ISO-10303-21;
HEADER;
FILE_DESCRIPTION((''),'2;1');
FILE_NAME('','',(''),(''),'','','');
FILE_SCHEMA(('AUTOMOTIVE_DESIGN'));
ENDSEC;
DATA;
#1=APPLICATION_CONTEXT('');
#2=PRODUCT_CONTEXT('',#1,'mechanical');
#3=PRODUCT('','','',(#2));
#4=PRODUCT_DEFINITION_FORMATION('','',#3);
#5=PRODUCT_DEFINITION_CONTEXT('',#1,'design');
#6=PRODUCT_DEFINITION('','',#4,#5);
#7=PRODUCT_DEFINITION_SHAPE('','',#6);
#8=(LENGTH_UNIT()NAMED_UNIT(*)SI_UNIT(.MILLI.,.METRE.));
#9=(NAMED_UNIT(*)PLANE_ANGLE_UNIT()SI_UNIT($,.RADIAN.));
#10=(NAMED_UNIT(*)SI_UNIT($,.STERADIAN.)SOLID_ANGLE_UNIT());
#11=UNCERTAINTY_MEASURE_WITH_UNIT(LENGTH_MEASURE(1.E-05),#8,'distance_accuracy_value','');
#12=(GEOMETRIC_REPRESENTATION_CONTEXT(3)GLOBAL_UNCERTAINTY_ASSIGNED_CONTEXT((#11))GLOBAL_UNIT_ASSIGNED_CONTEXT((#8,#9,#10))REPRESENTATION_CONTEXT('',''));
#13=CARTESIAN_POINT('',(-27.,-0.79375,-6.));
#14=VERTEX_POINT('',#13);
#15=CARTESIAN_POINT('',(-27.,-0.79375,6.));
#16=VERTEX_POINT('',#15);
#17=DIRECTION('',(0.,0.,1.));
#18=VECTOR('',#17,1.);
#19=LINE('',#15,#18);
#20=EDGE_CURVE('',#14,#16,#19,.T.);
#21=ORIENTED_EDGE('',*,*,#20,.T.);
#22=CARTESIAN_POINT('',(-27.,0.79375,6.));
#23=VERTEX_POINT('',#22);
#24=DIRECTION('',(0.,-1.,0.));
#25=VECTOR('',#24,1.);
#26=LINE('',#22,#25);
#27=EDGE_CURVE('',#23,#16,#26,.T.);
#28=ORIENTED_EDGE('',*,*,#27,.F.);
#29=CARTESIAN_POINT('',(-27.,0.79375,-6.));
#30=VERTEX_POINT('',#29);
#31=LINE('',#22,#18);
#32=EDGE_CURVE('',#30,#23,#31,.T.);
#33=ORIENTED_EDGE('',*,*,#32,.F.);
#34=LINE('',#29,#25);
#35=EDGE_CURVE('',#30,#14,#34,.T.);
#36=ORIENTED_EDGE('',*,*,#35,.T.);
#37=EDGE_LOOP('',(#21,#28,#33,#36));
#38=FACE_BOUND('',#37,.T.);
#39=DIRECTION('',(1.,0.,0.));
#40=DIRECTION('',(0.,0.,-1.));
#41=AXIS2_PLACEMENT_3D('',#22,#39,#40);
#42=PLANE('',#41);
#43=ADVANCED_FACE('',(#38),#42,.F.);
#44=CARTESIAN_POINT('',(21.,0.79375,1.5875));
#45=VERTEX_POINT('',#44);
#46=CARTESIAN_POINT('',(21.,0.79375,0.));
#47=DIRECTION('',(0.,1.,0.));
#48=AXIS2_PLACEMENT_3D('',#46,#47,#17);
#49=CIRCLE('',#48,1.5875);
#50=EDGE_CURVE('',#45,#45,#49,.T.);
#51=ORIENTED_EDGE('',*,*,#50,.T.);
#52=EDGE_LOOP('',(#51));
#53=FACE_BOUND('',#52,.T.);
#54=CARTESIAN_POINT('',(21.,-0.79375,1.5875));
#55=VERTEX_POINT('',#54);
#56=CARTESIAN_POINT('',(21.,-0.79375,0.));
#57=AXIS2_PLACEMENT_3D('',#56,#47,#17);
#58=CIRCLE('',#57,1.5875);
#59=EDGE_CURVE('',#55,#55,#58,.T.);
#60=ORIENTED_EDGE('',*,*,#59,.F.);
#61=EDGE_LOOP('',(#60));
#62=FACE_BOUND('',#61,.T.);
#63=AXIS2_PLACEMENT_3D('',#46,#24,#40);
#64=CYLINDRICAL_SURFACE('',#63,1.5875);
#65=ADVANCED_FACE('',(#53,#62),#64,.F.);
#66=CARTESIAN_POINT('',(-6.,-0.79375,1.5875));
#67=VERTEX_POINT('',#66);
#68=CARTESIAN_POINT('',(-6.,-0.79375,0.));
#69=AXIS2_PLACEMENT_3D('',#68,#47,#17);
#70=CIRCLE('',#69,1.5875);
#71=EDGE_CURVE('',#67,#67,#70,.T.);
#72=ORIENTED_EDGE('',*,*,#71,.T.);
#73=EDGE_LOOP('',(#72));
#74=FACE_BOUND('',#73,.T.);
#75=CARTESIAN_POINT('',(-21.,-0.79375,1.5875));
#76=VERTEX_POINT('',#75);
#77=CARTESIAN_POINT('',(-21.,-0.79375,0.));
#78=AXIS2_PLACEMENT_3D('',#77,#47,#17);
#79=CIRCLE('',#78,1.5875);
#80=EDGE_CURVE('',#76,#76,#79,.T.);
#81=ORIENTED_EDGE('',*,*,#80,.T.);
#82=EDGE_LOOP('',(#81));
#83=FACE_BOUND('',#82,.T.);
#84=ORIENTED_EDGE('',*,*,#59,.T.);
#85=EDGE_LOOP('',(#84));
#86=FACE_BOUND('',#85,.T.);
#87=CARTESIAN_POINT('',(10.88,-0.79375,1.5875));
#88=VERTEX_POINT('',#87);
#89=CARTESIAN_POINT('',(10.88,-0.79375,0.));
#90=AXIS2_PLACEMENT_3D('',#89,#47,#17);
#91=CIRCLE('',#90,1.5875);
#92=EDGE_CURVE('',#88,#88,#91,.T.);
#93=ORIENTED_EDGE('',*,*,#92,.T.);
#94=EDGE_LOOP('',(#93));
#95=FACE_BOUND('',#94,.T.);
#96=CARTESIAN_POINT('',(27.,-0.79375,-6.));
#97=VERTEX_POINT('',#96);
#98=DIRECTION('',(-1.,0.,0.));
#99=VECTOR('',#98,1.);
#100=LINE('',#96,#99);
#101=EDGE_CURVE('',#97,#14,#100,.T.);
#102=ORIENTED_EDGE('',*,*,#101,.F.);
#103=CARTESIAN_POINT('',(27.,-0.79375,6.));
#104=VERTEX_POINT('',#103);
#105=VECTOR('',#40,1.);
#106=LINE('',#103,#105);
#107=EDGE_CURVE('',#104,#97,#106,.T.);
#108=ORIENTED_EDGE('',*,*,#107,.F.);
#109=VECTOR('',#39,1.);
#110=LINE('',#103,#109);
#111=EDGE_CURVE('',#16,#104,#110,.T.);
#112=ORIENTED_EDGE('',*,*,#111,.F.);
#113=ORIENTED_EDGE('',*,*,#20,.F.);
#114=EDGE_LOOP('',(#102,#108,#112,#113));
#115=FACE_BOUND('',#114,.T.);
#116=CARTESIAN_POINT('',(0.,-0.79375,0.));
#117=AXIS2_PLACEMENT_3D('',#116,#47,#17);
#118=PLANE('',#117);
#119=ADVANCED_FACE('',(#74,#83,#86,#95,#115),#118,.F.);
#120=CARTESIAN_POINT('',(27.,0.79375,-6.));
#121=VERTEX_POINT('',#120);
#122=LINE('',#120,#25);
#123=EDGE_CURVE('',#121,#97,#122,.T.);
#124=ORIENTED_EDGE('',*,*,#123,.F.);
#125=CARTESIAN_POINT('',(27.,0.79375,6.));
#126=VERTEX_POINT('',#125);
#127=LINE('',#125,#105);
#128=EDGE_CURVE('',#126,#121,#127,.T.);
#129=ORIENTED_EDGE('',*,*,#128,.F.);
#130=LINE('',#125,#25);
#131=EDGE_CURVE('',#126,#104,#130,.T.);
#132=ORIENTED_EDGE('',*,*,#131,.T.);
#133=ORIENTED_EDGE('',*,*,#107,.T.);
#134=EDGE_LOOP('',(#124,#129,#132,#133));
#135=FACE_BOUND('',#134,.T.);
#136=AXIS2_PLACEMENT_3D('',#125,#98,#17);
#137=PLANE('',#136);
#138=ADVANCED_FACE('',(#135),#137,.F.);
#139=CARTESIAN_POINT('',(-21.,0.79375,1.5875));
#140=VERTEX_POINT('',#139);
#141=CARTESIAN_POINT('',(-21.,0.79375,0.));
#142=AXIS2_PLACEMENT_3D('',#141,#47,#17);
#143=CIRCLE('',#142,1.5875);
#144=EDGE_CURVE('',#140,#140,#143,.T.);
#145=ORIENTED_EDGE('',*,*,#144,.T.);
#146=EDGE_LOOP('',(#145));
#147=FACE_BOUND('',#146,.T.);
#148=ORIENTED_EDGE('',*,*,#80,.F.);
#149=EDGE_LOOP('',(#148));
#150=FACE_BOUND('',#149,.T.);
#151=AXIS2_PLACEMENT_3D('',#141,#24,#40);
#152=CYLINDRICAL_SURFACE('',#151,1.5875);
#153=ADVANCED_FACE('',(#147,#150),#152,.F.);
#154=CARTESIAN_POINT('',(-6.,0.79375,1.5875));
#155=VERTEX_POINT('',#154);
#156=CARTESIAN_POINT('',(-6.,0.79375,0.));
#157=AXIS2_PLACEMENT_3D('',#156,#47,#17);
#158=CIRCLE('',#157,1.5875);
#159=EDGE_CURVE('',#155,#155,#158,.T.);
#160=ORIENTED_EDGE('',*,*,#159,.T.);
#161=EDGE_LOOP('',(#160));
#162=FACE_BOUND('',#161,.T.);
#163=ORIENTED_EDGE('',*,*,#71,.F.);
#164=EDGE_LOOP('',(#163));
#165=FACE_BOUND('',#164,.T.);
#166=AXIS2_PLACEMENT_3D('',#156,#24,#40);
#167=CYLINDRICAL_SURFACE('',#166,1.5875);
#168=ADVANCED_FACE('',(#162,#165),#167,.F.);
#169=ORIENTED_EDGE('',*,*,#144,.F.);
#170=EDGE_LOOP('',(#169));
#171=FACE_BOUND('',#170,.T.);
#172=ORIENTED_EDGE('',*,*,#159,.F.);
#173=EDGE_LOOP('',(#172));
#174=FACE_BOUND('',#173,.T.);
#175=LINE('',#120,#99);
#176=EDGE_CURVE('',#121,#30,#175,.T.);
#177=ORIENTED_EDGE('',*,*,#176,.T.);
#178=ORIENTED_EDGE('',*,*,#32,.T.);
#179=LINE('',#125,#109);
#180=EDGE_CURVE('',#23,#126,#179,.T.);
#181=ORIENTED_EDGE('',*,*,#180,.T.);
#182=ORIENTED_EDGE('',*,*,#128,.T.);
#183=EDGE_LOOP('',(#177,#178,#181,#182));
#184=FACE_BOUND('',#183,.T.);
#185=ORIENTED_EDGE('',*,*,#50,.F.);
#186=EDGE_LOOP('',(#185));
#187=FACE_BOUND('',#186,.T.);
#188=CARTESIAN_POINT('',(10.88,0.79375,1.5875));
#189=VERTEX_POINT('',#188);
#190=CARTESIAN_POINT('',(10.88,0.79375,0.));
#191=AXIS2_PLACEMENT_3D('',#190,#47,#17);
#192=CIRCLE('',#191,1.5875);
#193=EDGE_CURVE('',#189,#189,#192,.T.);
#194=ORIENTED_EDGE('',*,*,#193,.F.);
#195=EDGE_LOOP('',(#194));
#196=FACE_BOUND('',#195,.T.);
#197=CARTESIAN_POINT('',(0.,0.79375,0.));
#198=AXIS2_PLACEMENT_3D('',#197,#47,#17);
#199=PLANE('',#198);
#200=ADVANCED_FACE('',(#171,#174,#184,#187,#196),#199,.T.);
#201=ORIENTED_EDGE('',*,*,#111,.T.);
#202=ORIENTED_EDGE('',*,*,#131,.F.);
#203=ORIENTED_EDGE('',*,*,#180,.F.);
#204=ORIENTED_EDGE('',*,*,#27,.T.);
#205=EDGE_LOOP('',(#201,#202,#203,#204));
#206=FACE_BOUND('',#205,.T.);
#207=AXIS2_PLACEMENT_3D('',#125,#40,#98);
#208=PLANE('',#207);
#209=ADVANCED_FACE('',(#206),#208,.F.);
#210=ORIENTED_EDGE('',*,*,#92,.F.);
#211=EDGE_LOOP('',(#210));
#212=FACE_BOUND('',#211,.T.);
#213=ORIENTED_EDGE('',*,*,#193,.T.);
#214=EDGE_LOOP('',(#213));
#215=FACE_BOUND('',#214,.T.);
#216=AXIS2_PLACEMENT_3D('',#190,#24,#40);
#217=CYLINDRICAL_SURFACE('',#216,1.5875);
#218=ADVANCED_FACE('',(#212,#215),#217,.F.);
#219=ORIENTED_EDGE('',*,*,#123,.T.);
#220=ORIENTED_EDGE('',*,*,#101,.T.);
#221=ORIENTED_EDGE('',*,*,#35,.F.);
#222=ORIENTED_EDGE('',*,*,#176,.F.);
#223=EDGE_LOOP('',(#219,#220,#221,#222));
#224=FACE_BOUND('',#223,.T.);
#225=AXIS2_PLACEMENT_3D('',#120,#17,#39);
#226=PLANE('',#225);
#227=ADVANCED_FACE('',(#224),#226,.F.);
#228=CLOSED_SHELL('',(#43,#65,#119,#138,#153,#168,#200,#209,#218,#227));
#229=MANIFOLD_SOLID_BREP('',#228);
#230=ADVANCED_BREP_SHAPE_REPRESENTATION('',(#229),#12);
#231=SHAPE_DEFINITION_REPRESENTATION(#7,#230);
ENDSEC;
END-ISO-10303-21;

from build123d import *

# Parameters (mm, degrees)
SKETCH1_W           = 54
SKETCH1_H           = 12
SKETCH1_R           = 1.5875
BOSS_EXTRUDE1_DEPTH = 0.79375


with BuildPart() as part:
    # Sketch1 → Boss-Extrude1 (new, symmetric)
    with BuildSketch(Plane(origin=(0, 0, 0), x_dir=(1, 0, 0), z_dir=(0, 1, 0))):
        Rectangle(SKETCH1_W, SKETCH1_H)
        with Locations(Location((-21, 0, 0), (0, 0, 270))):
            Circle(SKETCH1_R, mode=Mode.SUBTRACT)
        with Locations(Location((21, 0, 0), (0, 0, 270))):
            Circle(SKETCH1_R, mode=Mode.SUBTRACT)
        with Locations(Location((-6, 0, 0), (0, 0, 270))):
            Circle(SKETCH1_R, mode=Mode.SUBTRACT)
        with Locations(Location((10.88, 0, 0), (0, 0, 270))):
            Circle(SKETCH1_R, mode=Mode.SUBTRACT)
    extrude(amount=BOSS_EXTRUDE1_DEPTH, both=True)


solid = part.part
